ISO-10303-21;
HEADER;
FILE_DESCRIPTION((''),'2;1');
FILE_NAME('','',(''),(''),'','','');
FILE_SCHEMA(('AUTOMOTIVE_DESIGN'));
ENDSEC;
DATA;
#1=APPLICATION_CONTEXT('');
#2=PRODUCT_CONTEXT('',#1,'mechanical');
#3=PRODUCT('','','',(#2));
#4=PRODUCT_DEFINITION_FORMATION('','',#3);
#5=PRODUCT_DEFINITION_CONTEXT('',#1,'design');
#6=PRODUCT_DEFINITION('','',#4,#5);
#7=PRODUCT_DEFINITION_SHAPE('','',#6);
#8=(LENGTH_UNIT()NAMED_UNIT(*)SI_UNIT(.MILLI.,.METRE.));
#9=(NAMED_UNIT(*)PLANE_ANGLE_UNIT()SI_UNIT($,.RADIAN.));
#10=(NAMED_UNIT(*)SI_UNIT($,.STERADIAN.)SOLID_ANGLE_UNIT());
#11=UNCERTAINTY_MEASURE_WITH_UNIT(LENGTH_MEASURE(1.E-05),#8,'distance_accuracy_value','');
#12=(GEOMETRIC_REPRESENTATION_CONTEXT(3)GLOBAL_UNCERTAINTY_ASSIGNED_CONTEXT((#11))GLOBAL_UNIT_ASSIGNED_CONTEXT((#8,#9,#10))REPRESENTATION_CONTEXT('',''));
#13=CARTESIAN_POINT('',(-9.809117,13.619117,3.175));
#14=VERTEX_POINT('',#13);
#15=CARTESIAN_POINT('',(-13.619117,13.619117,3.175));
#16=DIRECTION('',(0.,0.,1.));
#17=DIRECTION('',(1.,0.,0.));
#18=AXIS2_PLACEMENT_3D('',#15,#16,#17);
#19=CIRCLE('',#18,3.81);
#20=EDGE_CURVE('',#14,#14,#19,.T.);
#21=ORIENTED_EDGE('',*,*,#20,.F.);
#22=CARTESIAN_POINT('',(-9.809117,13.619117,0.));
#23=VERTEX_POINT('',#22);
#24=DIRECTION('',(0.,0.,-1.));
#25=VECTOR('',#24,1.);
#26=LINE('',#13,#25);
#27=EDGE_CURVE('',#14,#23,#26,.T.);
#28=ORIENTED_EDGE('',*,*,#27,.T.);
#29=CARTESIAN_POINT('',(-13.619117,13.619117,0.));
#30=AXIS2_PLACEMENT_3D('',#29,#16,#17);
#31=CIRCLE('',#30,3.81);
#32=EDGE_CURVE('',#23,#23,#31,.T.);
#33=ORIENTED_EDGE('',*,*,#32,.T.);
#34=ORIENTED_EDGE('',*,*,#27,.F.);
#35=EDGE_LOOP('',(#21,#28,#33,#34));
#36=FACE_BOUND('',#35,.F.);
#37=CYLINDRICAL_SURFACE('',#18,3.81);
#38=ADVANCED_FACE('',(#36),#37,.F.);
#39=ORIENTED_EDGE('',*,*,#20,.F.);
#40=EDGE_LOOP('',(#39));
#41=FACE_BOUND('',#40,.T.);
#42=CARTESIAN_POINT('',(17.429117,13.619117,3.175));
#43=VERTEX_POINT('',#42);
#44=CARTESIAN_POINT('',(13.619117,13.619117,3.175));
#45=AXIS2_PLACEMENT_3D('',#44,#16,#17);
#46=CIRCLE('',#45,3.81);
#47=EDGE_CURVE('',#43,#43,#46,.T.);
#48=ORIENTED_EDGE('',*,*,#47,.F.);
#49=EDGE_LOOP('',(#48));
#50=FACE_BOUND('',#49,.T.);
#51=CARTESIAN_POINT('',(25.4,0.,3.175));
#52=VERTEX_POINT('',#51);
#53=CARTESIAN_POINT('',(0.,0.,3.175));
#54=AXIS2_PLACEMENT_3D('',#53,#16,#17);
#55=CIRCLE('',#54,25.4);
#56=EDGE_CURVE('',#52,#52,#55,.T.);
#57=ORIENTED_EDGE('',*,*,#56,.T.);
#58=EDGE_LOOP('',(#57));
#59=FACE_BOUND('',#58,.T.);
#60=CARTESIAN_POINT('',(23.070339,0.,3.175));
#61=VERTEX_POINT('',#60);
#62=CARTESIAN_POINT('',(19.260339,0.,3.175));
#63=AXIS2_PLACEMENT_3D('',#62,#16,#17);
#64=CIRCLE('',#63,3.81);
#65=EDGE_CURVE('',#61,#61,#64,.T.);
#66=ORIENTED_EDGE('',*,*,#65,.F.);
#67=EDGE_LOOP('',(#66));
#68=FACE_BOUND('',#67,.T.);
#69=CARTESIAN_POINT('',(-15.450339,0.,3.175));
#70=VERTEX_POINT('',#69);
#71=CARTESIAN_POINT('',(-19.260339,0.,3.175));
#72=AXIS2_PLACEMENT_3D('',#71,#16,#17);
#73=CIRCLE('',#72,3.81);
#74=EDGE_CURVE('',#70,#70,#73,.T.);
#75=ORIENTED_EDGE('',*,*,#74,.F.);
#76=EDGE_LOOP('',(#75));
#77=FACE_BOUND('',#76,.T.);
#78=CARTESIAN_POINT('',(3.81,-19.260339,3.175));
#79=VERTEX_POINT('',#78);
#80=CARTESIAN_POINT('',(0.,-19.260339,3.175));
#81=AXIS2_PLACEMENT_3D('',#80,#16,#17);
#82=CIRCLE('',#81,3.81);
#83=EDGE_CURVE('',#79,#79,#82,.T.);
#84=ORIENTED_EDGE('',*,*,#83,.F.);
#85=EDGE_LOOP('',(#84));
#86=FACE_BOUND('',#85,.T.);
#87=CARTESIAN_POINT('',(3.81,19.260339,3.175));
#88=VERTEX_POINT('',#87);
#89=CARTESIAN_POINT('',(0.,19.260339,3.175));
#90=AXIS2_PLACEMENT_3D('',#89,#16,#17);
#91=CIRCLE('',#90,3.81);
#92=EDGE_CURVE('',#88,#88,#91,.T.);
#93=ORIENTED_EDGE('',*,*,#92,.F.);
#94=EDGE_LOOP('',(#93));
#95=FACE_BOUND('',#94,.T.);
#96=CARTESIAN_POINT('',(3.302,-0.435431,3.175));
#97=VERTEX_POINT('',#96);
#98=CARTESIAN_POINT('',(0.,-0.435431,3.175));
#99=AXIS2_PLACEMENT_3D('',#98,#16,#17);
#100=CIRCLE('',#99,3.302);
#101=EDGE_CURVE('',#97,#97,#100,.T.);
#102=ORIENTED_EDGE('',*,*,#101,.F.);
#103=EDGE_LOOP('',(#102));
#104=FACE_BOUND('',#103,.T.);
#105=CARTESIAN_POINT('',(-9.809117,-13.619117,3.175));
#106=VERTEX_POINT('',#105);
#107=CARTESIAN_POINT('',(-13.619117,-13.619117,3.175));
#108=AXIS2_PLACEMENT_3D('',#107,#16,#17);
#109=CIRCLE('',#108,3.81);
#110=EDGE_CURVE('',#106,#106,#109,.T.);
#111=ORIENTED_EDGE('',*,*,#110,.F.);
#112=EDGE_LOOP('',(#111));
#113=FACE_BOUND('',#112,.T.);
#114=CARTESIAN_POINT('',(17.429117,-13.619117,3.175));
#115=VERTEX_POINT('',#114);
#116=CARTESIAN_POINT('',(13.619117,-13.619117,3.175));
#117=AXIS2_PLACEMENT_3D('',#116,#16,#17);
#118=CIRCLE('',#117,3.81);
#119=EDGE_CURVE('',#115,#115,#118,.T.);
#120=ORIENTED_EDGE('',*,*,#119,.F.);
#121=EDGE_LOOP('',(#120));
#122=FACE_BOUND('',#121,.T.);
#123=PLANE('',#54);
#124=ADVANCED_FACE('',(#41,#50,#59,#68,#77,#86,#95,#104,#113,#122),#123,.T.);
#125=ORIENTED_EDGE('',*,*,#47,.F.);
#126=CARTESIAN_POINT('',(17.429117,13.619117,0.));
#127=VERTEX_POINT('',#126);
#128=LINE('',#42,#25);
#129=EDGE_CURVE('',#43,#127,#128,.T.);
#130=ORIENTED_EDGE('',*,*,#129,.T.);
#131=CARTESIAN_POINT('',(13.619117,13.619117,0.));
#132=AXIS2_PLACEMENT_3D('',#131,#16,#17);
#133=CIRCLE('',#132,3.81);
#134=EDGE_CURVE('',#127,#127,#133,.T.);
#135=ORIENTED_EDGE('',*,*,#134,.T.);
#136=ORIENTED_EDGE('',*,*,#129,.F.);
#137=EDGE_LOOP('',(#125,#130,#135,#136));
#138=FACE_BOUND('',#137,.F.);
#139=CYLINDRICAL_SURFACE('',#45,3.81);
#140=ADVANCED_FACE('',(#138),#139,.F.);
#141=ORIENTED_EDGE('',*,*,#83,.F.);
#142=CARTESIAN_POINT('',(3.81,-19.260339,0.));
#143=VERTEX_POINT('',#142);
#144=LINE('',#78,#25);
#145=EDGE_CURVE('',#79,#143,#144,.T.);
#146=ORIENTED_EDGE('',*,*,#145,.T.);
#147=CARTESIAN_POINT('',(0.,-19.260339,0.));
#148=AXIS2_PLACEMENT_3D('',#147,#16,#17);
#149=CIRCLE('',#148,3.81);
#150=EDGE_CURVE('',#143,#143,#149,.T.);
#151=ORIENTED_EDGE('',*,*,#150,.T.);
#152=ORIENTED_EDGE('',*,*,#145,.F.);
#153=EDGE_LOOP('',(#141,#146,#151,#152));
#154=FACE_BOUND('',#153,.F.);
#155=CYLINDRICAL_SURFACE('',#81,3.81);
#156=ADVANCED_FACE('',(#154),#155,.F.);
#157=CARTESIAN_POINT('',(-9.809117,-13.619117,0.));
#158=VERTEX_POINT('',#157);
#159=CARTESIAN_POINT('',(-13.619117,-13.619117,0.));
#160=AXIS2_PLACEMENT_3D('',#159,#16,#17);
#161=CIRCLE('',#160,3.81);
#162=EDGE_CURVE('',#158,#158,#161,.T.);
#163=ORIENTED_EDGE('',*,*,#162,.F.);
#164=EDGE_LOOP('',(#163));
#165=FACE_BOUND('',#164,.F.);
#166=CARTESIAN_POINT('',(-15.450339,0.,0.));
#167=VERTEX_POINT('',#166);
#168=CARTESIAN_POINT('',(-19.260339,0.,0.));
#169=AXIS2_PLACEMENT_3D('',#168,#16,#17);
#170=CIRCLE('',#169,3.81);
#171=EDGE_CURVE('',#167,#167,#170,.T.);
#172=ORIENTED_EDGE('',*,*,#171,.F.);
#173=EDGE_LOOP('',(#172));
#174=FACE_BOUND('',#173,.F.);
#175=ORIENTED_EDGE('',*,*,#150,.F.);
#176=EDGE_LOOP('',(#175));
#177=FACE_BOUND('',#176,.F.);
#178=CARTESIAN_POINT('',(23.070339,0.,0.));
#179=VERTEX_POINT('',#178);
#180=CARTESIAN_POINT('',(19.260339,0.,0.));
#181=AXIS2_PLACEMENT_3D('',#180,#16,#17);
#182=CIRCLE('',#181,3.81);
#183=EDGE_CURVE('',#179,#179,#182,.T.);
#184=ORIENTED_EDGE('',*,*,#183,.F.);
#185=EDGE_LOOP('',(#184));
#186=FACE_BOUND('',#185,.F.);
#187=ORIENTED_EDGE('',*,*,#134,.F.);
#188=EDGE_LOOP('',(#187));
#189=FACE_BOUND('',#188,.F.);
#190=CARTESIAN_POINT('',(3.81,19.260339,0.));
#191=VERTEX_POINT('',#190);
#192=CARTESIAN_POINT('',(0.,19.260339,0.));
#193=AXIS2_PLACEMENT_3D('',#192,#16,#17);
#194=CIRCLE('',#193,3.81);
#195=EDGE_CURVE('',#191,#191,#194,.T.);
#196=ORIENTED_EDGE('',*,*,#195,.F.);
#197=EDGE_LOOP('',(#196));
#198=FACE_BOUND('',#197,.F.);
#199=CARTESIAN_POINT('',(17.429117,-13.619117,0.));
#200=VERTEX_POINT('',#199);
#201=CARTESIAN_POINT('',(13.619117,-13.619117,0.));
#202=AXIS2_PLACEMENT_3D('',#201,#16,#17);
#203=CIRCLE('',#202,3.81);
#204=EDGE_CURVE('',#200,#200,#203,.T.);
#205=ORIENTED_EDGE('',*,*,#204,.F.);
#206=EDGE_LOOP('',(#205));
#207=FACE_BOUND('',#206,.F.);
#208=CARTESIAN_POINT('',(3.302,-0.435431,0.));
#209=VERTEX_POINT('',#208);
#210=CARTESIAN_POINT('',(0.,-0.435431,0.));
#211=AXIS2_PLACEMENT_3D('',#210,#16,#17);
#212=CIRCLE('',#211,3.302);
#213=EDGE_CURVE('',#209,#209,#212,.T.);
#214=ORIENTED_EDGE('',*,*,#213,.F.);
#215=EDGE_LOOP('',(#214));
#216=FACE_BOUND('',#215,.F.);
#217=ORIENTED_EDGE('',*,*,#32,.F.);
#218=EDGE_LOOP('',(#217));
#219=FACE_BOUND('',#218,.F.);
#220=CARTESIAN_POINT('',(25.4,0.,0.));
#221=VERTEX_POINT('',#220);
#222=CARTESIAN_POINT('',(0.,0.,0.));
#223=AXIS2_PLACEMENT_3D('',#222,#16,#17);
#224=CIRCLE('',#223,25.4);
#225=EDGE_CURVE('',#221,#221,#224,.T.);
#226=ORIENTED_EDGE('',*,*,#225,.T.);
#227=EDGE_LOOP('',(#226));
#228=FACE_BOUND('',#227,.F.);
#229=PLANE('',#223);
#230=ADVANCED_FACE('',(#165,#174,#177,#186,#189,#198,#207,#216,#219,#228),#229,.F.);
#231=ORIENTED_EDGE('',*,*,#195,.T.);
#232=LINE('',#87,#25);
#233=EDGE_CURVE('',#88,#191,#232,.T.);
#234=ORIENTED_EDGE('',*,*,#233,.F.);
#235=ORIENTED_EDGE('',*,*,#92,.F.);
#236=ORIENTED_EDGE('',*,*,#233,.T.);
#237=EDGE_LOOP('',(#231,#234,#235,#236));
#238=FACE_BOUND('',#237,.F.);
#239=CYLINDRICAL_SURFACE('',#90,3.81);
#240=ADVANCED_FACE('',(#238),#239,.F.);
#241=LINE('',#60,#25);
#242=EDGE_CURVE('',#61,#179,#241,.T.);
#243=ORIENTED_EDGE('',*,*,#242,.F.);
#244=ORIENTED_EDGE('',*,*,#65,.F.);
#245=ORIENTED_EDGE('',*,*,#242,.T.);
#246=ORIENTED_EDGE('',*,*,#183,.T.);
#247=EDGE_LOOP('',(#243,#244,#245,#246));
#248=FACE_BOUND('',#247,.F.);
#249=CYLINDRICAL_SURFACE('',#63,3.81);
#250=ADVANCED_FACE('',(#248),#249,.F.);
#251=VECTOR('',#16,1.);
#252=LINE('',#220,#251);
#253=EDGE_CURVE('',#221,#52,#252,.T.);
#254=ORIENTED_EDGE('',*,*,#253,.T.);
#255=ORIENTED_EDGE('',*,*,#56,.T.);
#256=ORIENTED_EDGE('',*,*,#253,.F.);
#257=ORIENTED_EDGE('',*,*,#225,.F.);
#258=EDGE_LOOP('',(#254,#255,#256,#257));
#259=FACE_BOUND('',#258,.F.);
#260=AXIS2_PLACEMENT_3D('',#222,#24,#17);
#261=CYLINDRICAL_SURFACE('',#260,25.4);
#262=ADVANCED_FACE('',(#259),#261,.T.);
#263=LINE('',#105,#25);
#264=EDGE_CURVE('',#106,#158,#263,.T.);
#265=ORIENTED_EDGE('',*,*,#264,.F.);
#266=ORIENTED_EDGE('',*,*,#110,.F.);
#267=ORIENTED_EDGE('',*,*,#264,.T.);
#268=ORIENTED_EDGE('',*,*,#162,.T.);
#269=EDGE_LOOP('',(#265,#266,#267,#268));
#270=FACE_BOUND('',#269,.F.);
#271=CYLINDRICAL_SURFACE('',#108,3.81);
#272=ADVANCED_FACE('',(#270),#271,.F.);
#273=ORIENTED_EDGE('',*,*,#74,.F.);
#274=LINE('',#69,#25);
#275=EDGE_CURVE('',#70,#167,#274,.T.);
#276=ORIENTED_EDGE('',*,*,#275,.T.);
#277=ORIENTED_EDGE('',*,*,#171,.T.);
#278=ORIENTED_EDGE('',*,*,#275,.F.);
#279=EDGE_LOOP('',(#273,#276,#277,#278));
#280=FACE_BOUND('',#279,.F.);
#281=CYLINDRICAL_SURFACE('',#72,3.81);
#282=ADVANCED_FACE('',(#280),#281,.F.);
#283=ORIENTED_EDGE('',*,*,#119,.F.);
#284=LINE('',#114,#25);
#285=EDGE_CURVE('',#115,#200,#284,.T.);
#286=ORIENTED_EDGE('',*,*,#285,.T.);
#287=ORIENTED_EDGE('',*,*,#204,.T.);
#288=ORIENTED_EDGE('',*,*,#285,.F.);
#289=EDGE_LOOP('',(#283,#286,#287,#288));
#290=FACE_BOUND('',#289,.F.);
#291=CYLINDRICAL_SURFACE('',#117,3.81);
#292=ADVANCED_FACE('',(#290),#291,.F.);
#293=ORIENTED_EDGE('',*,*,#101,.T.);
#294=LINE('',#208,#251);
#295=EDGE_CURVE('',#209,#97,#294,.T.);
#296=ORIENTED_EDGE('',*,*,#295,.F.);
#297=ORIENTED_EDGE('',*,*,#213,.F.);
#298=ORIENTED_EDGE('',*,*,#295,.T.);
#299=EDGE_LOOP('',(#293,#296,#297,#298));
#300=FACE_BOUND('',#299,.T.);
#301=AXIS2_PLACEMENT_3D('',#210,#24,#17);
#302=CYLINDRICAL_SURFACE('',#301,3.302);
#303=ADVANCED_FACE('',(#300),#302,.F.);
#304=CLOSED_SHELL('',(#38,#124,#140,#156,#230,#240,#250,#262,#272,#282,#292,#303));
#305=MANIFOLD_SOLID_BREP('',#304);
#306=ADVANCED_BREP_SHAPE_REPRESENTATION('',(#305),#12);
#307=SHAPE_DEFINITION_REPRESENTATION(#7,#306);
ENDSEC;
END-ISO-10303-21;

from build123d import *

# Parameters (mm, degrees)
F0_R     = 25.4
F0_R_2   = 3.302
F1_DEPTH = 3.175
F2_R     = 3.81
F3_DEPTH = 25.4


with BuildPart() as f1:
    # F0 (on Top) → F1 (new body)
    with BuildSketch(Plane.XY):
        Circle(F0_R)
        with Locations((0, -0.435431)):
            Circle(F0_R_2, mode=Mode.SUBTRACT)
    extrude(amount=F1_DEPTH)

    # F2 (on face) → F3 (cut)
    with BuildSketch(Plane.XY.offset(3.175)):
        with Locations((0, 19.260339)):
            Circle(F2_R)
        with Locations((-13.619117, 13.619117)):
            Circle(F2_R)
        with Locations((-19.260339, 0)):
            Circle(F2_R)
        with Locations((-13.619117, -13.619117)):
            Circle(F2_R)
        with Locations((0, -19.260339)):
            Circle(F2_R)
        with Locations((13.619117, -13.619117)):
            Circle(F2_R)
        with Locations((19.260339, 0)):
            Circle(F2_R)
        with Locations((13.619117, 13.619117)):
            Circle(F2_R)
    extrude(amount=-F3_DEPTH, mode=Mode.SUBTRACT)


solid = f1.part
